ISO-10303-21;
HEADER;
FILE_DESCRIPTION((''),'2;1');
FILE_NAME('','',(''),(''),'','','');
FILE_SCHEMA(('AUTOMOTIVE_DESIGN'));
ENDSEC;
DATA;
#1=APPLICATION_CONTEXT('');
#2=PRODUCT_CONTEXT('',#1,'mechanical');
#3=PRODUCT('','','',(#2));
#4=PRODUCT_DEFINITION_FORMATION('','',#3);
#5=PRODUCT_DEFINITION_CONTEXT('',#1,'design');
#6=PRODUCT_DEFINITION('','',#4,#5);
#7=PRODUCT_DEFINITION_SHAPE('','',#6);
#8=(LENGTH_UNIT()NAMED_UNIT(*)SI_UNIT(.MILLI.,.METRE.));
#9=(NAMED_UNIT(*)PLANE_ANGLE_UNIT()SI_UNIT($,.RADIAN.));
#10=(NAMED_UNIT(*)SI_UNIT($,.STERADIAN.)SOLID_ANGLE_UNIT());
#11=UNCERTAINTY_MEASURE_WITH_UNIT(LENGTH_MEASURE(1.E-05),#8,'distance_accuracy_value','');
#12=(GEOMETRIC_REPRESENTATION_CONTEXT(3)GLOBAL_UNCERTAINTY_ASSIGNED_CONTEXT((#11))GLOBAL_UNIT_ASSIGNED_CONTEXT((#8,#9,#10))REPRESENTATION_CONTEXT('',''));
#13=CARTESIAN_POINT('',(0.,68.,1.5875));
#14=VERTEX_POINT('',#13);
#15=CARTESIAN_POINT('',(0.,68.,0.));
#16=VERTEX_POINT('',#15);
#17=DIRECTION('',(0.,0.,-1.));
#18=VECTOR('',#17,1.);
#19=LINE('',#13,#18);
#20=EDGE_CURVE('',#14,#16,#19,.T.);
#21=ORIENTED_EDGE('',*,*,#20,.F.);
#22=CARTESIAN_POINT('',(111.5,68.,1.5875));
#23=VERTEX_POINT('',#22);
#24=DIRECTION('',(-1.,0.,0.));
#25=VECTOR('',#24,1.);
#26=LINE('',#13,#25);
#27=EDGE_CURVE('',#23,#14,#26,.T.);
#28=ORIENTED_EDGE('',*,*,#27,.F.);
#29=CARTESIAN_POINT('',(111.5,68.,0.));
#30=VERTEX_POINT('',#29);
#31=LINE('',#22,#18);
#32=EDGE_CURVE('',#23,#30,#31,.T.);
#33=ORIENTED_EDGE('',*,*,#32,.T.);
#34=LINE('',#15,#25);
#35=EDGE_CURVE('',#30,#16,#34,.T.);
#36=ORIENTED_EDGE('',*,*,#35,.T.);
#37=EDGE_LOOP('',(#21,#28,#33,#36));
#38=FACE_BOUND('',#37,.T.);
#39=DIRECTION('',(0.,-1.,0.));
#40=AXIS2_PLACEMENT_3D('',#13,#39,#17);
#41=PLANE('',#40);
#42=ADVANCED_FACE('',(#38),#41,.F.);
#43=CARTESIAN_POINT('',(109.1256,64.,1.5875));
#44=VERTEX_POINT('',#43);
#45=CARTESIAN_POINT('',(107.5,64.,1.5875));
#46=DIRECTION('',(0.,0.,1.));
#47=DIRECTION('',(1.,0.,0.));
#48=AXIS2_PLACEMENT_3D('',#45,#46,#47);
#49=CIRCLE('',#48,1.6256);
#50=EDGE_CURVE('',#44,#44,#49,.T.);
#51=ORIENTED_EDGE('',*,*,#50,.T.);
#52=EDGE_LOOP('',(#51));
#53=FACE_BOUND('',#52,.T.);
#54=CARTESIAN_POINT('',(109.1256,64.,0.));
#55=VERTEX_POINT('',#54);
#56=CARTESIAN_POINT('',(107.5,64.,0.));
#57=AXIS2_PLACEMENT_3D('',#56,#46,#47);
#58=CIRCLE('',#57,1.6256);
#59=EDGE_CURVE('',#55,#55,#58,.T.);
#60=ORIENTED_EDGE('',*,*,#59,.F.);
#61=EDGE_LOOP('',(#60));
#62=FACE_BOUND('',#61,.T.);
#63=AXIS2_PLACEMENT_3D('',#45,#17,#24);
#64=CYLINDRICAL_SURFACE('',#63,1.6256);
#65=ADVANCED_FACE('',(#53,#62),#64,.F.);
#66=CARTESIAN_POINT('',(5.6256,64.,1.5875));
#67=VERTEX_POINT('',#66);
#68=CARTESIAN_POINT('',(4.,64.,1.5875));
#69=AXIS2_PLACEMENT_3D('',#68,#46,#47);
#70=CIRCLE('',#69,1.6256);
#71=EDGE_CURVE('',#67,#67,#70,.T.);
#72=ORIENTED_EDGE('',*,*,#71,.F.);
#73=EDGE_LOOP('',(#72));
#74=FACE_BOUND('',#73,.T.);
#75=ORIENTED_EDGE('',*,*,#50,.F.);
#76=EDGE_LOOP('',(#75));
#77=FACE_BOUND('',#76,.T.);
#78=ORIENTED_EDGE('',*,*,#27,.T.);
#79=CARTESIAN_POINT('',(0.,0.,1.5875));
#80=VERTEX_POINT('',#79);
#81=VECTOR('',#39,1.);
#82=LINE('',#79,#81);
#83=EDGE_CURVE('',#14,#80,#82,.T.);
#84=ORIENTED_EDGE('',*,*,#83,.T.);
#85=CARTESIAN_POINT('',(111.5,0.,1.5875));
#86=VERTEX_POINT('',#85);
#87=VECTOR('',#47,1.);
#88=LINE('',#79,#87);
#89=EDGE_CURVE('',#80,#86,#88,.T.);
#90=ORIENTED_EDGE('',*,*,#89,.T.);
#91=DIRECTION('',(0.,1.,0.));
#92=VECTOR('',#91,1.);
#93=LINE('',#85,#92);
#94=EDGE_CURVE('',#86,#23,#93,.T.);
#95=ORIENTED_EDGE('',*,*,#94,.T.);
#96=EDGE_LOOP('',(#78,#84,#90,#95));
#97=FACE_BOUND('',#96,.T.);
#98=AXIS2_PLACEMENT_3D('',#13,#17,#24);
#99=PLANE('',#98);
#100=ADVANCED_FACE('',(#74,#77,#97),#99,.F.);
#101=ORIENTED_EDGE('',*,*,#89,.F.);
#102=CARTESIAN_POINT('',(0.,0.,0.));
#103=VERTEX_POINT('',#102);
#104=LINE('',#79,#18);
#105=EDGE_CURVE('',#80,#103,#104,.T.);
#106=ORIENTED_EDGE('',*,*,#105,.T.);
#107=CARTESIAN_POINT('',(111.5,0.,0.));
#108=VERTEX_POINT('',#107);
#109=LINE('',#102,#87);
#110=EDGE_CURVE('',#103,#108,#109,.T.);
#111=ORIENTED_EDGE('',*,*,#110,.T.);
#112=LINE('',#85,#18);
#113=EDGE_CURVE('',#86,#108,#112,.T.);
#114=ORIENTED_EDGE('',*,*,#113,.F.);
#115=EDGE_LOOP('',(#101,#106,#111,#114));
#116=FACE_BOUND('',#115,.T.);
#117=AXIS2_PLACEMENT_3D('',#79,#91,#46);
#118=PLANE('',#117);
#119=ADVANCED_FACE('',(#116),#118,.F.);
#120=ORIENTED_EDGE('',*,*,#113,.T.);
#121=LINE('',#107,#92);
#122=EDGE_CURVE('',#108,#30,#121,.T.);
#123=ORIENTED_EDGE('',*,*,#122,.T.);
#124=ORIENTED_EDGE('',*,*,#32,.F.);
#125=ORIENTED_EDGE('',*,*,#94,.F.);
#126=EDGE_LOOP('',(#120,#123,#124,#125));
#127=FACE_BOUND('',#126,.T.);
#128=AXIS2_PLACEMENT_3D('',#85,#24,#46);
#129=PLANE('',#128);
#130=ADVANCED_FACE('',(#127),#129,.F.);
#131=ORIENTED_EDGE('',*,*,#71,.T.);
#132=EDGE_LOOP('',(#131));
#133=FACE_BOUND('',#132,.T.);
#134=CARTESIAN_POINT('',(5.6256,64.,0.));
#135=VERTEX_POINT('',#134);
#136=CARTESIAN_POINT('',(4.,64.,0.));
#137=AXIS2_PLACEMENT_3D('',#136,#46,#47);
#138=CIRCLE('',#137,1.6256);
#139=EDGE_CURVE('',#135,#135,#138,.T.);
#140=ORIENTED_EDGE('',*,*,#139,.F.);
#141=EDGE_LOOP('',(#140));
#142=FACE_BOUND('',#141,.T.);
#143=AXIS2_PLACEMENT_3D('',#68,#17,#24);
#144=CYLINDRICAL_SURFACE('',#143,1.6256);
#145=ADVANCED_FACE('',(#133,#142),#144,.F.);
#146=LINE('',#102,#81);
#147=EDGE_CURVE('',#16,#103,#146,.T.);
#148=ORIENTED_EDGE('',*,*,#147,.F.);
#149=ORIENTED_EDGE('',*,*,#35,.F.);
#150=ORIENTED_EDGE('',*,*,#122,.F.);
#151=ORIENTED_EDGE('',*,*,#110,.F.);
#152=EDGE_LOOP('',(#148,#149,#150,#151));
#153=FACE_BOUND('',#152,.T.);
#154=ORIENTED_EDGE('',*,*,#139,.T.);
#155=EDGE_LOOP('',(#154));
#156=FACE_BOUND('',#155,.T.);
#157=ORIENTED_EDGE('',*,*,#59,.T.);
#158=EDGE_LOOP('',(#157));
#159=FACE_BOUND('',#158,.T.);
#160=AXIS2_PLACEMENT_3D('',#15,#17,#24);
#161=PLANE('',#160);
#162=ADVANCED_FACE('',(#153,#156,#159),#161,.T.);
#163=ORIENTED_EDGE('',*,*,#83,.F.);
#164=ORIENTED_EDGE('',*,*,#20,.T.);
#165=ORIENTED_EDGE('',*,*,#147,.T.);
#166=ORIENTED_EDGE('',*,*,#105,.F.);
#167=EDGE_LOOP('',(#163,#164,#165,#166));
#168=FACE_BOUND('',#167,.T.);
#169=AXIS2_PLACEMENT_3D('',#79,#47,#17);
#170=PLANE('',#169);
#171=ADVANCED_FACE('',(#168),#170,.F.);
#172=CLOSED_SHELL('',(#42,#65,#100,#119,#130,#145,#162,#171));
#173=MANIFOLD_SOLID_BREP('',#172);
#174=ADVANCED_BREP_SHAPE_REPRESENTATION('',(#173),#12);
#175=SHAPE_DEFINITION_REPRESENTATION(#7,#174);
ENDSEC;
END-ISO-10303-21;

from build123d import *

# Parameters (mm, degrees)
SKETCH1_W           = 111.5
SKETCH1_H           = 68
SKETCH1_R           = 1.6256
BOSS_EXTRUDE1_DEPTH = 1.5875


with BuildPart() as part:
    # Sketch1 → Boss-Extrude1 (new body)
    with BuildSketch(Plane.XY):
        with Locations((55.75, 34)):
            Rectangle(SKETCH1_W, SKETCH1_H)
        with Locations((4, 64)):
            Circle(SKETCH1_R, mode=Mode.SUBTRACT)
        with Locations((107.5, 64)):
            Circle(SKETCH1_R, mode=Mode.SUBTRACT)
    extrude(amount=BOSS_EXTRUDE1_DEPTH)


solid = part.part
